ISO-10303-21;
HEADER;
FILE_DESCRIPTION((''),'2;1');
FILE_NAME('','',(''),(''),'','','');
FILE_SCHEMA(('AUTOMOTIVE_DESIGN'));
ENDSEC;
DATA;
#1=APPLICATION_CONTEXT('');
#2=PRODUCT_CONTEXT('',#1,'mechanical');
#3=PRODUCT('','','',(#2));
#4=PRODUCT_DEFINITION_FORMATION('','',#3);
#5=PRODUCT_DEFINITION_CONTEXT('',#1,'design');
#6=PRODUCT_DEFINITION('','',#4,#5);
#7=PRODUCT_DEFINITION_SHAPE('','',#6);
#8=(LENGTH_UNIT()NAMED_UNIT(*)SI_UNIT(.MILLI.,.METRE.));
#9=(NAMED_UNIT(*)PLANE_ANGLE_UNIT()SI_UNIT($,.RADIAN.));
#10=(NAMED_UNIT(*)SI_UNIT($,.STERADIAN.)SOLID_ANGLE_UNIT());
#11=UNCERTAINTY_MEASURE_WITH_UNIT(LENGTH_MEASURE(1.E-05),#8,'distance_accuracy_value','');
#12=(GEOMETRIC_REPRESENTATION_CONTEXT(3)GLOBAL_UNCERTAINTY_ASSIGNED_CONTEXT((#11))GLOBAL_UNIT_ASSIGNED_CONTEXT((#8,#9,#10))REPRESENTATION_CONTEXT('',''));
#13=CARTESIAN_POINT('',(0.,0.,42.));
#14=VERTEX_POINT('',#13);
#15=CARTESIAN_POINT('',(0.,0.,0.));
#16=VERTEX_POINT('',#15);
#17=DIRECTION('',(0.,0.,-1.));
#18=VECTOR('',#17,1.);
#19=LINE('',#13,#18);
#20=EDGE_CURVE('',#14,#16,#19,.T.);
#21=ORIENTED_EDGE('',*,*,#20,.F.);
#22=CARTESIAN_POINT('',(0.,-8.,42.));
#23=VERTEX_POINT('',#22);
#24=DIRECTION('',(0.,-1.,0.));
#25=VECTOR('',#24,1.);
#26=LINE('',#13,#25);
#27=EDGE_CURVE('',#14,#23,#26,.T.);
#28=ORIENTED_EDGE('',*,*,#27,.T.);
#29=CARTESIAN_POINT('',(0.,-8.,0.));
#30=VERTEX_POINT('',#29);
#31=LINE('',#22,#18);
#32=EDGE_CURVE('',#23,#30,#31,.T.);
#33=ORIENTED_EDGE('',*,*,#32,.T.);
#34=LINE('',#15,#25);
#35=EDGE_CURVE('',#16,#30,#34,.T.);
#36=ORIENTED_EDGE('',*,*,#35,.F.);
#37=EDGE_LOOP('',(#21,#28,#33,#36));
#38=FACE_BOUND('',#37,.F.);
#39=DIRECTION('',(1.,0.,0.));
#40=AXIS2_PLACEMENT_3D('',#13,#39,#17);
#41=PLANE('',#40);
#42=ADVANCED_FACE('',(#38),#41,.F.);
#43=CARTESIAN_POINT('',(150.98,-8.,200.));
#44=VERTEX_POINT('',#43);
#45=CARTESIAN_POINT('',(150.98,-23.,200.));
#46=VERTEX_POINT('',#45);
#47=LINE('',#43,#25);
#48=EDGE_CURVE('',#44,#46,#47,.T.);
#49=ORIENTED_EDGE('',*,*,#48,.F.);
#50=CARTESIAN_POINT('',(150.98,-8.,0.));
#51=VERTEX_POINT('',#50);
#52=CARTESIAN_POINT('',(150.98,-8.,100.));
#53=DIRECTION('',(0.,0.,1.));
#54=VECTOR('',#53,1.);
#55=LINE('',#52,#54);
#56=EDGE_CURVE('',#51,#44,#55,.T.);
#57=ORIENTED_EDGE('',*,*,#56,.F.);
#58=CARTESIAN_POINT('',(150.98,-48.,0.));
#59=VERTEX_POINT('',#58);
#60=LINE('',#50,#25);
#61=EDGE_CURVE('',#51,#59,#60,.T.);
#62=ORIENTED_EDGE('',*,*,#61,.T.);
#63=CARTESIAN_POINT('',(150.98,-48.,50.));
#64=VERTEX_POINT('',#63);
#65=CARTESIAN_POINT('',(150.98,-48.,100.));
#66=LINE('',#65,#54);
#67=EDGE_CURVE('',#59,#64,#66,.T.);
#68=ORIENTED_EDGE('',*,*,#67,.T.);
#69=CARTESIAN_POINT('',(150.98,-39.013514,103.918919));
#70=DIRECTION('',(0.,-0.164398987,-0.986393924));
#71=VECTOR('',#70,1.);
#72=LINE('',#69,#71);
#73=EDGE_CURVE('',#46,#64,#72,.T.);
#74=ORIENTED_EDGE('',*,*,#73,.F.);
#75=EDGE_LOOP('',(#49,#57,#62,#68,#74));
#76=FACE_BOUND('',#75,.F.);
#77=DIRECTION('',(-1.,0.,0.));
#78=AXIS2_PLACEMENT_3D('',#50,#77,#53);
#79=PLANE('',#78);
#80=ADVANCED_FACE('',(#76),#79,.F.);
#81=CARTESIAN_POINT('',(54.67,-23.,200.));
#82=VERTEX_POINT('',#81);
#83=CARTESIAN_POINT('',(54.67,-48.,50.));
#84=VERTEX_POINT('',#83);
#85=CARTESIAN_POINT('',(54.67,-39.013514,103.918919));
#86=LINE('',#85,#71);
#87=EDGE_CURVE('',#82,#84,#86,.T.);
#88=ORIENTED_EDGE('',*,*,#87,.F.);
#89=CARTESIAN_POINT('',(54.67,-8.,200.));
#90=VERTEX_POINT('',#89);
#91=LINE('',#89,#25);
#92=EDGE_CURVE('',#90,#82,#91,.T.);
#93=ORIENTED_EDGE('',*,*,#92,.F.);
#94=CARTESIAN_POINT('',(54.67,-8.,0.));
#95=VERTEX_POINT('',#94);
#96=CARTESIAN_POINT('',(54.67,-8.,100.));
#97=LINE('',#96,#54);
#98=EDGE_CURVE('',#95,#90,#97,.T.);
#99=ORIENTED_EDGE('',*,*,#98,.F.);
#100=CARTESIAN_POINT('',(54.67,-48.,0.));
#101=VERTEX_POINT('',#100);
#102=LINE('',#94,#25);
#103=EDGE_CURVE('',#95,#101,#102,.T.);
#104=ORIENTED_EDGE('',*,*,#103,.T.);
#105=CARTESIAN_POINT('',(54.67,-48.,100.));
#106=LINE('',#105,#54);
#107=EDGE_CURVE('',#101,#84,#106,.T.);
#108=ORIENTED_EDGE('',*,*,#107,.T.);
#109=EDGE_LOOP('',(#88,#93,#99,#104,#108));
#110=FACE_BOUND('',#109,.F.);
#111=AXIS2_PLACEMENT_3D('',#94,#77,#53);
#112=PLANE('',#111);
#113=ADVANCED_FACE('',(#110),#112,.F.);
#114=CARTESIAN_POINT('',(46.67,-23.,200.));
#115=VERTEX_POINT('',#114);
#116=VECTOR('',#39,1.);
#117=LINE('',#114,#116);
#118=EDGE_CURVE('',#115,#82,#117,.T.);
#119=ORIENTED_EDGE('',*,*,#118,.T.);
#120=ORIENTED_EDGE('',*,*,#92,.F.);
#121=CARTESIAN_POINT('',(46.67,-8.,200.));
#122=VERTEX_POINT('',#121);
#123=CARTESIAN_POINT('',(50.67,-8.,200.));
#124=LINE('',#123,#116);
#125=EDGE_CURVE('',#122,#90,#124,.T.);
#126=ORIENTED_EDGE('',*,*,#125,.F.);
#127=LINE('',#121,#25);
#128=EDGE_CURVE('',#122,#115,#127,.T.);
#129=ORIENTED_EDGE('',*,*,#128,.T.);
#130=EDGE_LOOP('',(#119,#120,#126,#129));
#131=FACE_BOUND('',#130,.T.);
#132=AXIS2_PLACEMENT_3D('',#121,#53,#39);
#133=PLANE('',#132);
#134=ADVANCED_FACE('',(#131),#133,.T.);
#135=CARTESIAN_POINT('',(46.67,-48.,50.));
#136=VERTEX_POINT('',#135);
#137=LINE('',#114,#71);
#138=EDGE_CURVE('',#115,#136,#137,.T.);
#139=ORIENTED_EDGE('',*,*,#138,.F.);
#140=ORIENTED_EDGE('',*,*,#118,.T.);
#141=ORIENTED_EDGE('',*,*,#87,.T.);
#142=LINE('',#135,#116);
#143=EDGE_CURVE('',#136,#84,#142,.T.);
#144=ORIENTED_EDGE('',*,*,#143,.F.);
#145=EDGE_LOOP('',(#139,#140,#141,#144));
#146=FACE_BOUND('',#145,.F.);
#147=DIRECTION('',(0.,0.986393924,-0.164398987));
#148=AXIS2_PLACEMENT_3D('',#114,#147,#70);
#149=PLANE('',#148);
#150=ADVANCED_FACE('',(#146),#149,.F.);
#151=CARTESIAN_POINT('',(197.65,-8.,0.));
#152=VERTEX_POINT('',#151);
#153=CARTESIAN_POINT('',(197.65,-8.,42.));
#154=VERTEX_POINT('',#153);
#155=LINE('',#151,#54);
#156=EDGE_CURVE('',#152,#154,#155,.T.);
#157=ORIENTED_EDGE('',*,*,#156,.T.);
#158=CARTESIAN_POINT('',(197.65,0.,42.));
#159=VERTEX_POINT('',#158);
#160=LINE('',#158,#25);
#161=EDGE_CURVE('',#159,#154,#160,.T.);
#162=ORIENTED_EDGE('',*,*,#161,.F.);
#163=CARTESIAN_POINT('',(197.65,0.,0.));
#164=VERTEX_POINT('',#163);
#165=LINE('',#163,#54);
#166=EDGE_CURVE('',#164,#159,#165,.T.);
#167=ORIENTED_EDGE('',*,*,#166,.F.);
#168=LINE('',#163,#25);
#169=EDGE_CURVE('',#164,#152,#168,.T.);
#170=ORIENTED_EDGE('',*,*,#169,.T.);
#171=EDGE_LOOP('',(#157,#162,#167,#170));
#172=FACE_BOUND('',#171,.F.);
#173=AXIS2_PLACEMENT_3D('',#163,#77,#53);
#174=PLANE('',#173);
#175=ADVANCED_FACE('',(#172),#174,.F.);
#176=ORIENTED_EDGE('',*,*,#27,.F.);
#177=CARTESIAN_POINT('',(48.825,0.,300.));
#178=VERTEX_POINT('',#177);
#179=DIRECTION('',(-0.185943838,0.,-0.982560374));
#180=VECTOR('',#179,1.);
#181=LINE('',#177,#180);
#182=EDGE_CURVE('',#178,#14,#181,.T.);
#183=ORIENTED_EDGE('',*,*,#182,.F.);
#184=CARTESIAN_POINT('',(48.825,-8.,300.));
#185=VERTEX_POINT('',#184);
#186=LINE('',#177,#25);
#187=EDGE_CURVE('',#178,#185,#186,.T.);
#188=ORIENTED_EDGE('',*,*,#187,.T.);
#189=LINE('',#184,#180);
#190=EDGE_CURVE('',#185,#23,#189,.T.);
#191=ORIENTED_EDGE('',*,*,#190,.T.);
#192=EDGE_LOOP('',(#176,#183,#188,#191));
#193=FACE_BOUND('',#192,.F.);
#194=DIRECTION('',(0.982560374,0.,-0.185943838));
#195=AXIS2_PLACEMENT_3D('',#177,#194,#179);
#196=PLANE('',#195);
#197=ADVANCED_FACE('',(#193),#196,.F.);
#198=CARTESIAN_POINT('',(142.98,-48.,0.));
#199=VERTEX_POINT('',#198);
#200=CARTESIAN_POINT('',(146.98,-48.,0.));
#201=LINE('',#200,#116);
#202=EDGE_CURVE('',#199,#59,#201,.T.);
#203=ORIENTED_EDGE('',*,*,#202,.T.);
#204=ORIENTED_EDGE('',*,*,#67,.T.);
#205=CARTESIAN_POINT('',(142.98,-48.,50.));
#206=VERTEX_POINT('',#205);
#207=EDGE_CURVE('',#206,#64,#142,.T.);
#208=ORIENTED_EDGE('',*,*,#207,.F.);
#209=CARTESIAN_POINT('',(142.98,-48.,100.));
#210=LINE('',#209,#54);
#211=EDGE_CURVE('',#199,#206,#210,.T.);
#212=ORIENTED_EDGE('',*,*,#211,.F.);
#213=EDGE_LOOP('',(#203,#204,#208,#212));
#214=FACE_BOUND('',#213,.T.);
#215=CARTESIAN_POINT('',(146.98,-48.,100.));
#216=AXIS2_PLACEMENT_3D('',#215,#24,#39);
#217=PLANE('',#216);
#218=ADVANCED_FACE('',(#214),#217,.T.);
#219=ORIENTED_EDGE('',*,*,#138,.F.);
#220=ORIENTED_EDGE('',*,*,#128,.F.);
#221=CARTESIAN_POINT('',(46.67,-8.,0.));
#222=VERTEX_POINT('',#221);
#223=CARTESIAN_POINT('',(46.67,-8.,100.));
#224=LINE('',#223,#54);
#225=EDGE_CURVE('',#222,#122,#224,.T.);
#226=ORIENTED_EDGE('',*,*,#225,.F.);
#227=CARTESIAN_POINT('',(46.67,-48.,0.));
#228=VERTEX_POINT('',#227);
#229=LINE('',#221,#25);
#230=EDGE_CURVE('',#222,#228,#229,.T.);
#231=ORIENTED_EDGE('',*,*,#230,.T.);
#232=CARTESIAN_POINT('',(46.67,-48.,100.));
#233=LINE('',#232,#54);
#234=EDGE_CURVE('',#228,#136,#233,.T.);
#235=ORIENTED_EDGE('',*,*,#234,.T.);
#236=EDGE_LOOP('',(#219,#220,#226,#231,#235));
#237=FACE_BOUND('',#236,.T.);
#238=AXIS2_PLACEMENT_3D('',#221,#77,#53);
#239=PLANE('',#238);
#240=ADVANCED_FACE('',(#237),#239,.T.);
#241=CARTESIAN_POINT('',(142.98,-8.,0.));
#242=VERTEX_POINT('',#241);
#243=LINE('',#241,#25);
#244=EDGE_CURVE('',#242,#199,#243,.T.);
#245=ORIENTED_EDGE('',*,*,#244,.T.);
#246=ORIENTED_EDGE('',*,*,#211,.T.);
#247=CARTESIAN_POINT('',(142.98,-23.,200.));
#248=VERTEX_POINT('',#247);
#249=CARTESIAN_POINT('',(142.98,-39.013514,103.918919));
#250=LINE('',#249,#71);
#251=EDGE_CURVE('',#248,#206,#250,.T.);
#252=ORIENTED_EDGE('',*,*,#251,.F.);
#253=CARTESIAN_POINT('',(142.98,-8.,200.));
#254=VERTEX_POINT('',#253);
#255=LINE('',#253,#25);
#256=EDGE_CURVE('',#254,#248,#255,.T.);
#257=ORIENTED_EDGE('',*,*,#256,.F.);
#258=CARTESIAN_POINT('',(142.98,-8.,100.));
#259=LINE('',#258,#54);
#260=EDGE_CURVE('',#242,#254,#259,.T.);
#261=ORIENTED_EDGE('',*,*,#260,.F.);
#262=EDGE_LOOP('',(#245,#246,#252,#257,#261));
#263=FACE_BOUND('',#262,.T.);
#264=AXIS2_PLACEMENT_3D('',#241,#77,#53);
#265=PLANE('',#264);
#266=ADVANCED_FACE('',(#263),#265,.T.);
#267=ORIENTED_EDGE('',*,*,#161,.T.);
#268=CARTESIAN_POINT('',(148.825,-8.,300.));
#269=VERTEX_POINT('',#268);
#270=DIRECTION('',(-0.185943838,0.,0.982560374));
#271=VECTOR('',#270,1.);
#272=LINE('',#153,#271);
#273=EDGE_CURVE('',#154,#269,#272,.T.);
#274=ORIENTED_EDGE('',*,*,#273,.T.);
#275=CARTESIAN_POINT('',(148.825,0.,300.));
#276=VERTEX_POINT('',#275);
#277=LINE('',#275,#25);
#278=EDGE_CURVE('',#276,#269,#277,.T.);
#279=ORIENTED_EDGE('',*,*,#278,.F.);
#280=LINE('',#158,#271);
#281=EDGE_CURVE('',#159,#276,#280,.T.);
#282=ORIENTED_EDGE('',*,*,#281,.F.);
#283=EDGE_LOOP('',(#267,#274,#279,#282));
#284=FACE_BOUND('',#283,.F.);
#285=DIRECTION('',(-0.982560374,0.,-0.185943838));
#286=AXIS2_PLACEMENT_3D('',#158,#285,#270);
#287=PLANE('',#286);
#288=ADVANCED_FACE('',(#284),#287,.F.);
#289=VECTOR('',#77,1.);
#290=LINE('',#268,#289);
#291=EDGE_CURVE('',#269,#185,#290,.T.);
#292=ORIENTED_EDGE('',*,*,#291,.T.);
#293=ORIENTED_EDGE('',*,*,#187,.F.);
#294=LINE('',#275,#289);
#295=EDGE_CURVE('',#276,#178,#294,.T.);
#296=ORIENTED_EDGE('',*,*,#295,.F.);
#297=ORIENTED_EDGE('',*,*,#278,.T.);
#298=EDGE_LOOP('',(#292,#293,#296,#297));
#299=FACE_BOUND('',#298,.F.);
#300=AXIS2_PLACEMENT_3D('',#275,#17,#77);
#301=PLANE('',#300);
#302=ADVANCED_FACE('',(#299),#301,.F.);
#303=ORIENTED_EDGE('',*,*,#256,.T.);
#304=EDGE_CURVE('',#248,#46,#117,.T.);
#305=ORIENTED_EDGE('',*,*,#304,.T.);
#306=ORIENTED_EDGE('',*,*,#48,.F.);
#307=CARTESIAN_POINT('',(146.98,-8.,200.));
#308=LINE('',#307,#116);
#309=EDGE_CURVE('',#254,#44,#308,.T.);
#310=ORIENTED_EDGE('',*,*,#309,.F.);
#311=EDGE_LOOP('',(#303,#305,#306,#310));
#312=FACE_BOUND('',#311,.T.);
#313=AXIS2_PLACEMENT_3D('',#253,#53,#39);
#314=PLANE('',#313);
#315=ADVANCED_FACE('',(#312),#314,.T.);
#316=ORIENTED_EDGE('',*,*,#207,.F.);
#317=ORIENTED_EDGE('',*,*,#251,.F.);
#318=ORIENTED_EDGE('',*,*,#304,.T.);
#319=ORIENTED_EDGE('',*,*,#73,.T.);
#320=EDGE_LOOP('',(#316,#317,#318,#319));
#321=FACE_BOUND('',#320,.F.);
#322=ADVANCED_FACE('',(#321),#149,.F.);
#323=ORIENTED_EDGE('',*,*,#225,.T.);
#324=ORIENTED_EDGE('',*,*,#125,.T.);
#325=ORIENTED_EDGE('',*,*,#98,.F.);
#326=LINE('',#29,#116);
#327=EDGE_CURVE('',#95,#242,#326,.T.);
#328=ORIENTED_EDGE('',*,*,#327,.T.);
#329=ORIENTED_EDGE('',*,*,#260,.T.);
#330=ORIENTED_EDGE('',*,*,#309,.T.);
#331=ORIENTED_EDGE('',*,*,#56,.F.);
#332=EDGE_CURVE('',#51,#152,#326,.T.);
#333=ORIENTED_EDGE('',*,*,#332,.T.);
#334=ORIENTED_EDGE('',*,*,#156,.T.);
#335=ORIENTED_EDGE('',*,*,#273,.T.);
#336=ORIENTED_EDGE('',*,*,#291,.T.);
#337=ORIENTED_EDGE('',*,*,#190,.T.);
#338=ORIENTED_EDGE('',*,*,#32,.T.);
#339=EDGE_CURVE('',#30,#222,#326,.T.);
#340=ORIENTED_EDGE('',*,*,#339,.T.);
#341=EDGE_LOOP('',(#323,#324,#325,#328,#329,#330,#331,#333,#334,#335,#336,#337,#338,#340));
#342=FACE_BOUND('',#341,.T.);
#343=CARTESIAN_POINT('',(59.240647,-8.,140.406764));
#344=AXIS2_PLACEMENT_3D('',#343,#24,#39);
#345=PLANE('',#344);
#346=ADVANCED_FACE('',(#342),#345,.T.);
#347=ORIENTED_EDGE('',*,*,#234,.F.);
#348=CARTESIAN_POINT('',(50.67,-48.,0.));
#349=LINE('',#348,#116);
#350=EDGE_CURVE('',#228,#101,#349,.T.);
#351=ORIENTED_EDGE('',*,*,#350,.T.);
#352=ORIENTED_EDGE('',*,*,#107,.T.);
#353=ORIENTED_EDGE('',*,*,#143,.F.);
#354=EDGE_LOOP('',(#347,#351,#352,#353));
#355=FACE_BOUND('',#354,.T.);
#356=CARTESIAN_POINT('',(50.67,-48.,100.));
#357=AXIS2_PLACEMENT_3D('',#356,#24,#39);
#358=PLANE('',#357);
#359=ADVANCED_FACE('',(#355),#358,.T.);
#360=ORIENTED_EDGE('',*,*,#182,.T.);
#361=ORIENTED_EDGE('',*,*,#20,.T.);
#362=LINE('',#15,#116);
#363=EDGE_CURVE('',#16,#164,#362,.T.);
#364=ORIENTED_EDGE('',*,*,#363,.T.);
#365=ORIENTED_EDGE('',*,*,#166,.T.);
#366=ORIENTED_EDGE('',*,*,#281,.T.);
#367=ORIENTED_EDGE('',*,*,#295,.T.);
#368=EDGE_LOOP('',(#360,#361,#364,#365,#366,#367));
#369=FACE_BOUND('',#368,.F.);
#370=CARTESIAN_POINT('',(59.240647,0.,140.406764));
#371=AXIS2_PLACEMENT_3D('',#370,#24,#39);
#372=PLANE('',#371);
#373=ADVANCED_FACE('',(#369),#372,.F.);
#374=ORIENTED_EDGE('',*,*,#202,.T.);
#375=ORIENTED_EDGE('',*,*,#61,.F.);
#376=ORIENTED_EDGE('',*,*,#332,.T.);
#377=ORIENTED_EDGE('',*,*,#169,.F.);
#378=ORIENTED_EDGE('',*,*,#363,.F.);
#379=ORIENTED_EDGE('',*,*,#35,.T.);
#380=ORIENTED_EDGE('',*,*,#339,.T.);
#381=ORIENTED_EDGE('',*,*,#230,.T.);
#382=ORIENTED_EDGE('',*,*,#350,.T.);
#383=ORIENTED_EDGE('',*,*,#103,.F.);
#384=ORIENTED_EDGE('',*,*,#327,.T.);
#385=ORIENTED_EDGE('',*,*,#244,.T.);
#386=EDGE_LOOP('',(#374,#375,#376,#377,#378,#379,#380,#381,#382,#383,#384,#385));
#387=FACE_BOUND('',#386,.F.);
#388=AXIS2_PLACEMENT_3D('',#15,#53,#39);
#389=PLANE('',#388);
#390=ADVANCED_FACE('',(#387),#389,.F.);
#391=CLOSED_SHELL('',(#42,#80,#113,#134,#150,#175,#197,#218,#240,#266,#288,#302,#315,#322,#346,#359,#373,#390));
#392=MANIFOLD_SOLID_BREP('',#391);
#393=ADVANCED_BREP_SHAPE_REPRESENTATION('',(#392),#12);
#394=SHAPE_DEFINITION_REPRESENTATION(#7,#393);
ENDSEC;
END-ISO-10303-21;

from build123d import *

# Parameters (mm, degrees)
F1_DEPTH = 8
F2_W     = 8
F2_H     = 200
F3_DEPTH = 40
F5_DEPTH = 150


with BuildPart() as f1:
    # F0 (on Front) → F1 (new body)
    with BuildSketch(Plane.XZ):
        Polygon((0, 42), (0, 0), (98.825, 0), (98.825, 300), (48.825, 300), align=None)
        Polygon((98.825, 300), (98.825, 0), (197.65, 0), (197.65, 42), (148.825, 300), align=None)
    extrude(amount=F1_DEPTH)

    # F2 (on face) → F3 (join)
    with BuildSketch(Plane.XZ.offset(8)):
        with Locations((50.67, 100)):
            Rectangle(F2_W, F2_H)
        with Locations((146.98, 100)):
            Rectangle(F2_W, F2_H)
    extrude(amount=F3_DEPTH)

    # F4 (on face) → F5 (cut)
    with BuildSketch(Plane(origin=(46.67, 0, 0), x_dir=(0, -1, 0), z_dir=(-1, 0, 0))):
        Polygon((23, 200), (48, 50), (48, 200), align=None)
    extrude(amount=-F5_DEPTH, mode=Mode.SUBTRACT)


solid = f1.part
